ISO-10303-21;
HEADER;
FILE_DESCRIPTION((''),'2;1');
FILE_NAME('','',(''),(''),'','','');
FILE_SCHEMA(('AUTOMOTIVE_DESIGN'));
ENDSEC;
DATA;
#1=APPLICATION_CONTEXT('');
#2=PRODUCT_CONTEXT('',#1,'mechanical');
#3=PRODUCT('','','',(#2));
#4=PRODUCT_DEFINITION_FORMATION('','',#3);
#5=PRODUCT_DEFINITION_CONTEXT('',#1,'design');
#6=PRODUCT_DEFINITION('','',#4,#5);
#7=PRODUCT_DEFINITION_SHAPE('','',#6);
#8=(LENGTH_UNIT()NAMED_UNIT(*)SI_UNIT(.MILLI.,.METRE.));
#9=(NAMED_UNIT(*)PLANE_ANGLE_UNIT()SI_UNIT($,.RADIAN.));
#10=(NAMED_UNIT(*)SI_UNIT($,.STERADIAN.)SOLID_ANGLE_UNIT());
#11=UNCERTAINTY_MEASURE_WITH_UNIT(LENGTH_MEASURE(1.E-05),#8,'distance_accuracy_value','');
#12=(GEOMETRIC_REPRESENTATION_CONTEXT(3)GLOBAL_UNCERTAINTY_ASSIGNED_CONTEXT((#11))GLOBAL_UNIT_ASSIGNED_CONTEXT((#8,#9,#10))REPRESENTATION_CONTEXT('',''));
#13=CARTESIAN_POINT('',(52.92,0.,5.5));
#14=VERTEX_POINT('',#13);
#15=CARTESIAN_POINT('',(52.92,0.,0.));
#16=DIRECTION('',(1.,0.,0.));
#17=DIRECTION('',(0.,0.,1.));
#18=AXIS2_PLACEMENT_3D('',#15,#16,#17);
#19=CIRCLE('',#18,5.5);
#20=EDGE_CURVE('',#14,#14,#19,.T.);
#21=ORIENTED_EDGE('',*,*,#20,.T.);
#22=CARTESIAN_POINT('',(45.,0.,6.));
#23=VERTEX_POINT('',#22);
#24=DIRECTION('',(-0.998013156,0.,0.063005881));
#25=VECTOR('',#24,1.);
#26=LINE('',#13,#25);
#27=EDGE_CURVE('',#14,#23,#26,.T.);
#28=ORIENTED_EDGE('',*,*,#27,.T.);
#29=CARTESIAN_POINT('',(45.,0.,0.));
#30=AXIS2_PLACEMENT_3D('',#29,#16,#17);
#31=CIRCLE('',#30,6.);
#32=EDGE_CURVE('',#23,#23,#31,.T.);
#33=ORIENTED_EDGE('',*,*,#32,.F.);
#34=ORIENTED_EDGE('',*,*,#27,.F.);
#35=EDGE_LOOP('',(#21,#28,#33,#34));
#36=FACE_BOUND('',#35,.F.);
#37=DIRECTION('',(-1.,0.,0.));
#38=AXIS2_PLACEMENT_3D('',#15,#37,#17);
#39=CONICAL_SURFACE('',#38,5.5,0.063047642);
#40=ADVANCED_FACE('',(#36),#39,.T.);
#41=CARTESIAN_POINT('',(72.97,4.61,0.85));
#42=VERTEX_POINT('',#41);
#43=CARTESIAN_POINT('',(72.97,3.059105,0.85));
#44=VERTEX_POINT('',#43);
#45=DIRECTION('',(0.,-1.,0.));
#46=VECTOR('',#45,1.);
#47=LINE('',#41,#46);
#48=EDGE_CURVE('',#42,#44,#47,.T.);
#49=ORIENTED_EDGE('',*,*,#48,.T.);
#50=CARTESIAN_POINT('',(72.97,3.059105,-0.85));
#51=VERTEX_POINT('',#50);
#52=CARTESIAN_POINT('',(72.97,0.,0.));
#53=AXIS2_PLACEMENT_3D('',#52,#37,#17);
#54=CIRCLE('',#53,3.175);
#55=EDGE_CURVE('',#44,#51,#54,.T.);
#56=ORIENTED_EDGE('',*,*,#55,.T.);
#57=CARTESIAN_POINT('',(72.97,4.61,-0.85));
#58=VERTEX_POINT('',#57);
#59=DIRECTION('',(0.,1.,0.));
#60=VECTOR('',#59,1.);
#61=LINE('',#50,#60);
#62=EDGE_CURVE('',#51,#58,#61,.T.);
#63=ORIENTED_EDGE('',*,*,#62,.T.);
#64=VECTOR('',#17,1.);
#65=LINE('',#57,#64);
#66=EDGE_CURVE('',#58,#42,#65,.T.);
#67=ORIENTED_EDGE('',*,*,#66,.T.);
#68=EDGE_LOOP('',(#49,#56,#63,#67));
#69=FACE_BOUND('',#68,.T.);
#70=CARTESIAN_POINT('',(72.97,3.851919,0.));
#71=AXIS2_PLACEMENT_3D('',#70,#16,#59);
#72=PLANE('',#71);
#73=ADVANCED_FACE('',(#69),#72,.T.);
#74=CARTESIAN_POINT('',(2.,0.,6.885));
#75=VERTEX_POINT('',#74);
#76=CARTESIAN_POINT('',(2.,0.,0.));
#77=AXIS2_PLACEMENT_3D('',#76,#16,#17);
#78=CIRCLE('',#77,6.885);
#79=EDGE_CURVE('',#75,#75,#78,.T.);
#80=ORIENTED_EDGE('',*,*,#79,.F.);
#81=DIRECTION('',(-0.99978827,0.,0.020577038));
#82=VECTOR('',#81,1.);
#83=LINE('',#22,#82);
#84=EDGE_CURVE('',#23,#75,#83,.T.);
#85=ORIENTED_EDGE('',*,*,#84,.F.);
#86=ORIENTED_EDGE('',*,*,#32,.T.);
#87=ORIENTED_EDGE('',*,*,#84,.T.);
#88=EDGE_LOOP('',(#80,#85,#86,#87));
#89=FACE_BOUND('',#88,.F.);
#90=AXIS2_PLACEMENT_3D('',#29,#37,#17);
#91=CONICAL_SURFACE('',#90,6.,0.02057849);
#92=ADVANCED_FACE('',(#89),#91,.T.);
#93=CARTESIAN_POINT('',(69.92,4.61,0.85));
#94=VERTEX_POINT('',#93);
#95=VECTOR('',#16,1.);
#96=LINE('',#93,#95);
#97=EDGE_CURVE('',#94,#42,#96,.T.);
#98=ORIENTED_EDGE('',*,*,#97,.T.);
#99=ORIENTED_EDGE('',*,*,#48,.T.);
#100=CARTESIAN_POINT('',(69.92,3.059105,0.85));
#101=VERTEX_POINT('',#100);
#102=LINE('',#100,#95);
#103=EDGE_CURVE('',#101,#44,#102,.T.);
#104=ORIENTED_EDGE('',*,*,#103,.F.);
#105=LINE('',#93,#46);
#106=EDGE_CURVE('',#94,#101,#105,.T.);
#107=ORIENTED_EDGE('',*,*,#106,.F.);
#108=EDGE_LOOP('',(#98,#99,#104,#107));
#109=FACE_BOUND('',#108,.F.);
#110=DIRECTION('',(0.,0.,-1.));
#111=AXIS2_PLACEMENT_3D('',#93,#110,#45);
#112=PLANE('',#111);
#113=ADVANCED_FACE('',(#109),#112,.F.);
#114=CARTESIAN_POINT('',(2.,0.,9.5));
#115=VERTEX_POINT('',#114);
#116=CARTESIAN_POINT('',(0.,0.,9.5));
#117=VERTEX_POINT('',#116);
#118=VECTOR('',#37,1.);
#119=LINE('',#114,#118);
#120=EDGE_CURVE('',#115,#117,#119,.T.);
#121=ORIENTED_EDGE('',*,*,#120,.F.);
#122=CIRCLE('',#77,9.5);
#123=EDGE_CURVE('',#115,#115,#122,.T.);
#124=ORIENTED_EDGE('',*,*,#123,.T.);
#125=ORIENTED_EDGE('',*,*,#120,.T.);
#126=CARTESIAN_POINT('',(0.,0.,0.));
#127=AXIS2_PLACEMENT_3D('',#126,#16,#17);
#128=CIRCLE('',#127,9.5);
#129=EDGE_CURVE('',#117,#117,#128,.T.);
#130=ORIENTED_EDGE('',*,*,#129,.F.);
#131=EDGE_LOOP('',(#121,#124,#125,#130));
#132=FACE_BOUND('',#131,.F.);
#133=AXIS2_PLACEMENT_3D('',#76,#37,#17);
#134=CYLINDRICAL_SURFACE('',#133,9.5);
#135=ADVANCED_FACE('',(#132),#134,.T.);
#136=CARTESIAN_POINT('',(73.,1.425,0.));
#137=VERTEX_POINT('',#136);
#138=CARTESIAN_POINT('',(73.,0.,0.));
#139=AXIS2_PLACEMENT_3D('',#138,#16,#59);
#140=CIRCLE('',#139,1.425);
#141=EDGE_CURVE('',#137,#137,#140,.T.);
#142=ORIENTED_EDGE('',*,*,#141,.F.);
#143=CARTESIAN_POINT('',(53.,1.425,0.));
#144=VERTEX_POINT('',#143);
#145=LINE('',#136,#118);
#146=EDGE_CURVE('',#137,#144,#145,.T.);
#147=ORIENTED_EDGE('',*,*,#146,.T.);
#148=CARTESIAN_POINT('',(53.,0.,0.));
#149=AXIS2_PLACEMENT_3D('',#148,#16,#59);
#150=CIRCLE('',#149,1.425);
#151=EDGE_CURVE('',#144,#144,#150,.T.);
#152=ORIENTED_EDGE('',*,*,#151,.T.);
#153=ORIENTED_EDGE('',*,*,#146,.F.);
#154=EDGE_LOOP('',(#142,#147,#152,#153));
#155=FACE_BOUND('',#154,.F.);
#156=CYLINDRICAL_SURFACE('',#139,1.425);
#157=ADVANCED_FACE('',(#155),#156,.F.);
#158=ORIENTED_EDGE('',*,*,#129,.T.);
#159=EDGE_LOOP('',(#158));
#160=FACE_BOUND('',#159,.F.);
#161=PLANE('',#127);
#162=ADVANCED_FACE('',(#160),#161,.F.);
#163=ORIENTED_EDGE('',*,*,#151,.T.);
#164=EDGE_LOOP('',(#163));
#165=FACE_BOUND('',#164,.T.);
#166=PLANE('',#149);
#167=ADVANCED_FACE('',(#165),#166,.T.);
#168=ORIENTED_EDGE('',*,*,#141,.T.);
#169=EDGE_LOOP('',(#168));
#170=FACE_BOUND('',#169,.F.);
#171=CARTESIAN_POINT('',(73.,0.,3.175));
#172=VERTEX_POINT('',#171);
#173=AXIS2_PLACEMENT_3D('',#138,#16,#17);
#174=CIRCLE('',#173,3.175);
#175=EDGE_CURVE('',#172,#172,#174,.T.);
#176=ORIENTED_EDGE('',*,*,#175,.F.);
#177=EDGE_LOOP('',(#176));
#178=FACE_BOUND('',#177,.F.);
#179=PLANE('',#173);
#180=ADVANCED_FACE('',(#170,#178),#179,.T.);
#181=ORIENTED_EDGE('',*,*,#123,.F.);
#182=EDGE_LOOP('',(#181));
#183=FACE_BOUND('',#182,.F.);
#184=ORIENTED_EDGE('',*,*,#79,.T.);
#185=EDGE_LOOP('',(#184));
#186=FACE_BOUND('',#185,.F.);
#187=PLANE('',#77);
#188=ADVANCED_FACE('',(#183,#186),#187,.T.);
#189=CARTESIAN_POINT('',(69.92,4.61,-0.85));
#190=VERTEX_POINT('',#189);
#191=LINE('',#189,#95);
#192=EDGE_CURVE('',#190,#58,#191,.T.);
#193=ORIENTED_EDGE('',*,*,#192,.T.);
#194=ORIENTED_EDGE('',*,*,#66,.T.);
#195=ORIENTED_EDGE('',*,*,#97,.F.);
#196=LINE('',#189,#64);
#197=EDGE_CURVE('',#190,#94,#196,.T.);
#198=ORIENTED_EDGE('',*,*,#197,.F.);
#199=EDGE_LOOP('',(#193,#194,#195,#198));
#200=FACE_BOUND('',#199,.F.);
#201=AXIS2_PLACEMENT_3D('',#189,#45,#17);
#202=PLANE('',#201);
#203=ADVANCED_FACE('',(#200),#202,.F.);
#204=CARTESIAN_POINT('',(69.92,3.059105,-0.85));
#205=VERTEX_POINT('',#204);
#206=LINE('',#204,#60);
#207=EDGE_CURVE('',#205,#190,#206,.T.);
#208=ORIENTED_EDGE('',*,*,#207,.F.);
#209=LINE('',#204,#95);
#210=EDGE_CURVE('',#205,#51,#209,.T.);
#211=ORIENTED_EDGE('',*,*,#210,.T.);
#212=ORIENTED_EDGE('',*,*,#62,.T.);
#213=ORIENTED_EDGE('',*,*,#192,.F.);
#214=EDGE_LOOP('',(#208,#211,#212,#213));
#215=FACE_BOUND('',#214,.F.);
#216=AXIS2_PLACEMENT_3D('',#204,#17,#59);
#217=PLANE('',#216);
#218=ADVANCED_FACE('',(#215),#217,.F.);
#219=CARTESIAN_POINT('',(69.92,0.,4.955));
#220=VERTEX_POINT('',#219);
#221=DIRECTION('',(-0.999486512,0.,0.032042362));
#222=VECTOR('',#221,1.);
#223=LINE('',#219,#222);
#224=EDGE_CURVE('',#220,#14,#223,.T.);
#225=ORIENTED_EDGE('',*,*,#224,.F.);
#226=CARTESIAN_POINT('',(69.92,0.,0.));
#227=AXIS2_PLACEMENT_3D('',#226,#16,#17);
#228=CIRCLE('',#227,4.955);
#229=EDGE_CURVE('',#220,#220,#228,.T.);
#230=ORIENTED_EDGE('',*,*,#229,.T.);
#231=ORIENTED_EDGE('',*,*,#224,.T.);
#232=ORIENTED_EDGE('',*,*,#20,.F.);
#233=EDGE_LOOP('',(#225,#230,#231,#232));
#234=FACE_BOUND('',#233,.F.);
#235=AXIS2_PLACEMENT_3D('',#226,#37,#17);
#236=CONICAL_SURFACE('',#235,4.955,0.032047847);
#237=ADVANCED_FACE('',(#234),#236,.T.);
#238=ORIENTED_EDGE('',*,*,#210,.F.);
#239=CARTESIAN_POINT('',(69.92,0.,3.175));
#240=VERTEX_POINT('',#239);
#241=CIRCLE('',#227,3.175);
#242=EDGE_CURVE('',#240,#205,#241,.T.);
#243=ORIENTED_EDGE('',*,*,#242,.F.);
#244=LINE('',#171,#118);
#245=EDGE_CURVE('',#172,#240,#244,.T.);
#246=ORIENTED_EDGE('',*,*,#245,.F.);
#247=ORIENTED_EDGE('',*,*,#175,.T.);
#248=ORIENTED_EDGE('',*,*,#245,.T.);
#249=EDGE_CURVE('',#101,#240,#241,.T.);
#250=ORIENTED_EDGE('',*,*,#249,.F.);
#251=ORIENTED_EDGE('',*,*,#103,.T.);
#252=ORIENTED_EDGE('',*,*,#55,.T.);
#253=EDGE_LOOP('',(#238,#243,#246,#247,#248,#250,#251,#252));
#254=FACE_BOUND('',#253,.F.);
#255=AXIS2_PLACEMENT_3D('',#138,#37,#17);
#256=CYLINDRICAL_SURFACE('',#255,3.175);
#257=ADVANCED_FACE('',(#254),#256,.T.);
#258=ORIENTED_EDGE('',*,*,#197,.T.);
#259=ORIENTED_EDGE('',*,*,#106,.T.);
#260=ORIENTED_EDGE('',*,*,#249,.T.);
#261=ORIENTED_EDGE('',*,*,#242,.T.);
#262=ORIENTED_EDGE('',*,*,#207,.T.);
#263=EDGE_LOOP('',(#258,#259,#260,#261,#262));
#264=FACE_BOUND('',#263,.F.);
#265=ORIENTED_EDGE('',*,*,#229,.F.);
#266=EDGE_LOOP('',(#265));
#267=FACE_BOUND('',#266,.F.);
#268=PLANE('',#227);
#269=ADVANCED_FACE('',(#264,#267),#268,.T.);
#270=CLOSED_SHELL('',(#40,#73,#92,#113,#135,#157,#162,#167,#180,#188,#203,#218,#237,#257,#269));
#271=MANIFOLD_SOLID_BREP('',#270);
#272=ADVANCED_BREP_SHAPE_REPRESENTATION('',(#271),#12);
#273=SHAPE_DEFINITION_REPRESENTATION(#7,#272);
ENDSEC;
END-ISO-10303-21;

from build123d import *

# Parameters (mm, degrees)
F3_DEPTH = 3.05
F4_R     = 1.425
F5_DEPTH = 20


with BuildPart() as f1:
    # F0 (on Front) → F1 (revolve)
    with BuildSketch(Plane.XZ):
        Polygon((0, 9.5), (0, 0), (73, 0), (73, 3.175), (69.92, 3.175), (69.92, 4.955), (52.92, 5.5), (45, 6), (2, 6.885), (2, 9.5), align=None)
    revolve(axis=Axis((36.5, 0, 0), (1, 0, 0)))

    # F2 (on face) → F3 (join)
    with BuildSketch(Plane.YZ.offset(69.92)):
        with BuildLine():
            Line((4.61, -0.85), (4.61, 0.85))
            Line((4.61, 0.85), (3.059105, 0.85))
            ThreePointArc((3.059105, 0.85), (3.145893, 0.428932), (3.175, 0))
            ThreePointArc((3.175, 0), (3.145893, -0.428932), (3.059105, -0.85))
            Line((3.059105, -0.85), (4.61, -0.85))
        make_face()
        with BuildLine():
            ThreePointArc((3.175, 0), (3.145893, 0.428932), (3.059105, 0.85))
            ThreePointArc((3.059105, 0.85), (-3.175, 0), (3.059105, -0.85))
            ThreePointArc((3.059105, -0.85), (3.145893, -0.428932), (3.175, 0))
        make_face()
    extrude(amount=F3_DEPTH)

    # F4 (on face) → F5 (cut)
    with BuildSketch(Plane.YZ.offset(73)):
        Circle(F4_R)
    extrude(amount=-F5_DEPTH, mode=Mode.SUBTRACT)


solid = f1.part
